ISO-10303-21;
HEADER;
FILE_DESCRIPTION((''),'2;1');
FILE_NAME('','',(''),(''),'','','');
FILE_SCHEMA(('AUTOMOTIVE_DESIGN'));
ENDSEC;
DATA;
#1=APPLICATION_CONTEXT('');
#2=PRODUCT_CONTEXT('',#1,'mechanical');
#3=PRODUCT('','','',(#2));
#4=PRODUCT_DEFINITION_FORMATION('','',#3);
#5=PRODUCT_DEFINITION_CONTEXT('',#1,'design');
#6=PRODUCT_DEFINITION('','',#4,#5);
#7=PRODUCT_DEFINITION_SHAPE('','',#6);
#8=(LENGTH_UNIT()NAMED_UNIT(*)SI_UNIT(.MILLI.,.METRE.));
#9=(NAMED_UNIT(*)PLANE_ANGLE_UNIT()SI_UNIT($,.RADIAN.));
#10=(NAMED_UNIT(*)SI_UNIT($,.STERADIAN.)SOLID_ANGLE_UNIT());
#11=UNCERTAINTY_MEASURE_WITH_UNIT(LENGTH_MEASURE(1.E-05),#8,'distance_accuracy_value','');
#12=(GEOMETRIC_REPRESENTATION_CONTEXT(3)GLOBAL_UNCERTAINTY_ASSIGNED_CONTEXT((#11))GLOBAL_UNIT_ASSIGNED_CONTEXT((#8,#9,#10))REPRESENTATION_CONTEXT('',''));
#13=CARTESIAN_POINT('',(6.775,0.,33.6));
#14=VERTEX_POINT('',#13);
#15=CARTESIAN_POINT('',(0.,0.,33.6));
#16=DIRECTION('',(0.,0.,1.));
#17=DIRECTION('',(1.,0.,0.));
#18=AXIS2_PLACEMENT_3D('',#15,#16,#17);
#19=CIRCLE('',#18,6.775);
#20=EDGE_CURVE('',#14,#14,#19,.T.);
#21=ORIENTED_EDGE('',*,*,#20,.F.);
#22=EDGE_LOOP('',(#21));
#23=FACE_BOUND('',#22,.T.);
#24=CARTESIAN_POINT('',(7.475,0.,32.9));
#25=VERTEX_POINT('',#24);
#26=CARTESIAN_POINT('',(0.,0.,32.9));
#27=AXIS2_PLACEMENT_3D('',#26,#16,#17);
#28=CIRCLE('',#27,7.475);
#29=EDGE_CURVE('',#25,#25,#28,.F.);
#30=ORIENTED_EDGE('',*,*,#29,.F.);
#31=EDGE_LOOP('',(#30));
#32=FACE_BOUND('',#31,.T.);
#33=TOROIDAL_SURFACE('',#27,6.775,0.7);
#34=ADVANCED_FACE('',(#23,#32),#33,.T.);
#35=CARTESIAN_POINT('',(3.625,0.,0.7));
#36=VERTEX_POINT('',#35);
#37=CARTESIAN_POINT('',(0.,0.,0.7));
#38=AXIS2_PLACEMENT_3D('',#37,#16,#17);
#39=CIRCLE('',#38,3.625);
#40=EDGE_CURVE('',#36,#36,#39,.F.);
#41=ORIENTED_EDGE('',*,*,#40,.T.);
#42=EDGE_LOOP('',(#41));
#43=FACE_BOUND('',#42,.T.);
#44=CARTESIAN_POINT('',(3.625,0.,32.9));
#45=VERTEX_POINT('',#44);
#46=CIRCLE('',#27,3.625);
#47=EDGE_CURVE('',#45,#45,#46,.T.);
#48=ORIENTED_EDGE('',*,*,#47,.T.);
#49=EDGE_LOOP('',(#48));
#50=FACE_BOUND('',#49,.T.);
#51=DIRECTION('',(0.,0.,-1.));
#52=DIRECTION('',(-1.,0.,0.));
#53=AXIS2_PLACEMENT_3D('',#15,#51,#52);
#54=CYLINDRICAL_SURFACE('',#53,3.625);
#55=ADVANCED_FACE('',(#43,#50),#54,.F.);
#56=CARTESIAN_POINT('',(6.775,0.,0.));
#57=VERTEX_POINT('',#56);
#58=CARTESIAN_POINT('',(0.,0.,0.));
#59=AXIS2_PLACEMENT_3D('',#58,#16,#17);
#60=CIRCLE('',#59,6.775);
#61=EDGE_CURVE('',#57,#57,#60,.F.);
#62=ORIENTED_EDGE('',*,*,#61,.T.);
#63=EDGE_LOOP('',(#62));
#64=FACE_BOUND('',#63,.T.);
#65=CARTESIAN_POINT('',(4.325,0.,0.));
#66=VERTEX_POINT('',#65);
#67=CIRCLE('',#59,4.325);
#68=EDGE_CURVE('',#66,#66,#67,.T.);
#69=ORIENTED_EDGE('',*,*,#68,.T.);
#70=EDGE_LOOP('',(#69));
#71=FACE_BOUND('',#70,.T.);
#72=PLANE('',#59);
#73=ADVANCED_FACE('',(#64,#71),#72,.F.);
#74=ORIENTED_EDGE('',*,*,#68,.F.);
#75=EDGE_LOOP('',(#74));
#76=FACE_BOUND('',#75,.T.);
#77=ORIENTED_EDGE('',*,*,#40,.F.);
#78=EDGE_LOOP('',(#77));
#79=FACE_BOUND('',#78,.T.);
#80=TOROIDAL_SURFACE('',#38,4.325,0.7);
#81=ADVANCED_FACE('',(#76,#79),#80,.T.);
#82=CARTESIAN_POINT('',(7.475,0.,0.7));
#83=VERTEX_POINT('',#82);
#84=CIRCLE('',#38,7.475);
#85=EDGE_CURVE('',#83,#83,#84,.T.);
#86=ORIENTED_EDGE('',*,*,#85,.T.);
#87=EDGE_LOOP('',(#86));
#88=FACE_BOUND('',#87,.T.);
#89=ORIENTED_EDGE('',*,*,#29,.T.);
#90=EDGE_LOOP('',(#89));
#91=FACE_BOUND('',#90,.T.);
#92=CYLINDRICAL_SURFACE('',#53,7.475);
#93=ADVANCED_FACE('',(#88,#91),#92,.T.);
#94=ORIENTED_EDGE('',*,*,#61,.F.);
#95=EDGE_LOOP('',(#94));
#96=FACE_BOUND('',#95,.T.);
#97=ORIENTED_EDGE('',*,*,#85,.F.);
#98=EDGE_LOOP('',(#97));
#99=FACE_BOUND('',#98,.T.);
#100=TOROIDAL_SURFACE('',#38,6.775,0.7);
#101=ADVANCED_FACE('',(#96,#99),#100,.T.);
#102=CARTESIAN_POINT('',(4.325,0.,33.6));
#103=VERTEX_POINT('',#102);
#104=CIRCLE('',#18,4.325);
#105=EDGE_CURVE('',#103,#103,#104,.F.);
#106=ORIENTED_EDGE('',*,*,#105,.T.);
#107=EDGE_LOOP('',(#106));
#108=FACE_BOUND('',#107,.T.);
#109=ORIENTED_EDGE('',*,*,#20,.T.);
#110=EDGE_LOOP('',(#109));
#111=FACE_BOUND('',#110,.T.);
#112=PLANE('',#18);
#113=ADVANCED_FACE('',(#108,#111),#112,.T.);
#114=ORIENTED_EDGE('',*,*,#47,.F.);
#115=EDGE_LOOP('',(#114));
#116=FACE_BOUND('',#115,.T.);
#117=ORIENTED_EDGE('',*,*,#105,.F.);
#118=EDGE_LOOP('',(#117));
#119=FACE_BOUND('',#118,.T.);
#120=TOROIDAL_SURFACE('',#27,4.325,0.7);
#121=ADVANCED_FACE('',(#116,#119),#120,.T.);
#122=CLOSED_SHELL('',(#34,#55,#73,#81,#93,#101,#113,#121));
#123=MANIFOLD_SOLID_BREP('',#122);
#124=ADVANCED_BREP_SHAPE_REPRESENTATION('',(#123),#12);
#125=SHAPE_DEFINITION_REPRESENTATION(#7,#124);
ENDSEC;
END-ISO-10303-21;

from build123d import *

# Parameters (mm, degrees)
SKETCH_1_R      = 7.475
SKETCH_1_R_2    = 3.625
EXTRUDE_1_DEPTH = 33.6
FILLET_1_R      = 0.7


with BuildPart() as part:
    # Эскиз1 → Вытянуть1 (new body)
    with BuildSketch(Plane.XY):
        Circle(SKETCH_1_R)
        Circle(SKETCH_1_R_2, mode=Mode.SUBTRACT)
    extrude(amount=EXTRUDE_1_DEPTH)

    # Скругление1
    fillet_1_edges = [part.edges().sort_by_distance(p)[0] for p in [
        (-7.475, 0, 0),
        (-7.475, 0, 33.6),
        (-3.625, 0, 0),
        (-3.625, 0, 33.6),
    ]]
    fillet(fillet_1_edges, radius=FILLET_1_R)


solid = part.part
